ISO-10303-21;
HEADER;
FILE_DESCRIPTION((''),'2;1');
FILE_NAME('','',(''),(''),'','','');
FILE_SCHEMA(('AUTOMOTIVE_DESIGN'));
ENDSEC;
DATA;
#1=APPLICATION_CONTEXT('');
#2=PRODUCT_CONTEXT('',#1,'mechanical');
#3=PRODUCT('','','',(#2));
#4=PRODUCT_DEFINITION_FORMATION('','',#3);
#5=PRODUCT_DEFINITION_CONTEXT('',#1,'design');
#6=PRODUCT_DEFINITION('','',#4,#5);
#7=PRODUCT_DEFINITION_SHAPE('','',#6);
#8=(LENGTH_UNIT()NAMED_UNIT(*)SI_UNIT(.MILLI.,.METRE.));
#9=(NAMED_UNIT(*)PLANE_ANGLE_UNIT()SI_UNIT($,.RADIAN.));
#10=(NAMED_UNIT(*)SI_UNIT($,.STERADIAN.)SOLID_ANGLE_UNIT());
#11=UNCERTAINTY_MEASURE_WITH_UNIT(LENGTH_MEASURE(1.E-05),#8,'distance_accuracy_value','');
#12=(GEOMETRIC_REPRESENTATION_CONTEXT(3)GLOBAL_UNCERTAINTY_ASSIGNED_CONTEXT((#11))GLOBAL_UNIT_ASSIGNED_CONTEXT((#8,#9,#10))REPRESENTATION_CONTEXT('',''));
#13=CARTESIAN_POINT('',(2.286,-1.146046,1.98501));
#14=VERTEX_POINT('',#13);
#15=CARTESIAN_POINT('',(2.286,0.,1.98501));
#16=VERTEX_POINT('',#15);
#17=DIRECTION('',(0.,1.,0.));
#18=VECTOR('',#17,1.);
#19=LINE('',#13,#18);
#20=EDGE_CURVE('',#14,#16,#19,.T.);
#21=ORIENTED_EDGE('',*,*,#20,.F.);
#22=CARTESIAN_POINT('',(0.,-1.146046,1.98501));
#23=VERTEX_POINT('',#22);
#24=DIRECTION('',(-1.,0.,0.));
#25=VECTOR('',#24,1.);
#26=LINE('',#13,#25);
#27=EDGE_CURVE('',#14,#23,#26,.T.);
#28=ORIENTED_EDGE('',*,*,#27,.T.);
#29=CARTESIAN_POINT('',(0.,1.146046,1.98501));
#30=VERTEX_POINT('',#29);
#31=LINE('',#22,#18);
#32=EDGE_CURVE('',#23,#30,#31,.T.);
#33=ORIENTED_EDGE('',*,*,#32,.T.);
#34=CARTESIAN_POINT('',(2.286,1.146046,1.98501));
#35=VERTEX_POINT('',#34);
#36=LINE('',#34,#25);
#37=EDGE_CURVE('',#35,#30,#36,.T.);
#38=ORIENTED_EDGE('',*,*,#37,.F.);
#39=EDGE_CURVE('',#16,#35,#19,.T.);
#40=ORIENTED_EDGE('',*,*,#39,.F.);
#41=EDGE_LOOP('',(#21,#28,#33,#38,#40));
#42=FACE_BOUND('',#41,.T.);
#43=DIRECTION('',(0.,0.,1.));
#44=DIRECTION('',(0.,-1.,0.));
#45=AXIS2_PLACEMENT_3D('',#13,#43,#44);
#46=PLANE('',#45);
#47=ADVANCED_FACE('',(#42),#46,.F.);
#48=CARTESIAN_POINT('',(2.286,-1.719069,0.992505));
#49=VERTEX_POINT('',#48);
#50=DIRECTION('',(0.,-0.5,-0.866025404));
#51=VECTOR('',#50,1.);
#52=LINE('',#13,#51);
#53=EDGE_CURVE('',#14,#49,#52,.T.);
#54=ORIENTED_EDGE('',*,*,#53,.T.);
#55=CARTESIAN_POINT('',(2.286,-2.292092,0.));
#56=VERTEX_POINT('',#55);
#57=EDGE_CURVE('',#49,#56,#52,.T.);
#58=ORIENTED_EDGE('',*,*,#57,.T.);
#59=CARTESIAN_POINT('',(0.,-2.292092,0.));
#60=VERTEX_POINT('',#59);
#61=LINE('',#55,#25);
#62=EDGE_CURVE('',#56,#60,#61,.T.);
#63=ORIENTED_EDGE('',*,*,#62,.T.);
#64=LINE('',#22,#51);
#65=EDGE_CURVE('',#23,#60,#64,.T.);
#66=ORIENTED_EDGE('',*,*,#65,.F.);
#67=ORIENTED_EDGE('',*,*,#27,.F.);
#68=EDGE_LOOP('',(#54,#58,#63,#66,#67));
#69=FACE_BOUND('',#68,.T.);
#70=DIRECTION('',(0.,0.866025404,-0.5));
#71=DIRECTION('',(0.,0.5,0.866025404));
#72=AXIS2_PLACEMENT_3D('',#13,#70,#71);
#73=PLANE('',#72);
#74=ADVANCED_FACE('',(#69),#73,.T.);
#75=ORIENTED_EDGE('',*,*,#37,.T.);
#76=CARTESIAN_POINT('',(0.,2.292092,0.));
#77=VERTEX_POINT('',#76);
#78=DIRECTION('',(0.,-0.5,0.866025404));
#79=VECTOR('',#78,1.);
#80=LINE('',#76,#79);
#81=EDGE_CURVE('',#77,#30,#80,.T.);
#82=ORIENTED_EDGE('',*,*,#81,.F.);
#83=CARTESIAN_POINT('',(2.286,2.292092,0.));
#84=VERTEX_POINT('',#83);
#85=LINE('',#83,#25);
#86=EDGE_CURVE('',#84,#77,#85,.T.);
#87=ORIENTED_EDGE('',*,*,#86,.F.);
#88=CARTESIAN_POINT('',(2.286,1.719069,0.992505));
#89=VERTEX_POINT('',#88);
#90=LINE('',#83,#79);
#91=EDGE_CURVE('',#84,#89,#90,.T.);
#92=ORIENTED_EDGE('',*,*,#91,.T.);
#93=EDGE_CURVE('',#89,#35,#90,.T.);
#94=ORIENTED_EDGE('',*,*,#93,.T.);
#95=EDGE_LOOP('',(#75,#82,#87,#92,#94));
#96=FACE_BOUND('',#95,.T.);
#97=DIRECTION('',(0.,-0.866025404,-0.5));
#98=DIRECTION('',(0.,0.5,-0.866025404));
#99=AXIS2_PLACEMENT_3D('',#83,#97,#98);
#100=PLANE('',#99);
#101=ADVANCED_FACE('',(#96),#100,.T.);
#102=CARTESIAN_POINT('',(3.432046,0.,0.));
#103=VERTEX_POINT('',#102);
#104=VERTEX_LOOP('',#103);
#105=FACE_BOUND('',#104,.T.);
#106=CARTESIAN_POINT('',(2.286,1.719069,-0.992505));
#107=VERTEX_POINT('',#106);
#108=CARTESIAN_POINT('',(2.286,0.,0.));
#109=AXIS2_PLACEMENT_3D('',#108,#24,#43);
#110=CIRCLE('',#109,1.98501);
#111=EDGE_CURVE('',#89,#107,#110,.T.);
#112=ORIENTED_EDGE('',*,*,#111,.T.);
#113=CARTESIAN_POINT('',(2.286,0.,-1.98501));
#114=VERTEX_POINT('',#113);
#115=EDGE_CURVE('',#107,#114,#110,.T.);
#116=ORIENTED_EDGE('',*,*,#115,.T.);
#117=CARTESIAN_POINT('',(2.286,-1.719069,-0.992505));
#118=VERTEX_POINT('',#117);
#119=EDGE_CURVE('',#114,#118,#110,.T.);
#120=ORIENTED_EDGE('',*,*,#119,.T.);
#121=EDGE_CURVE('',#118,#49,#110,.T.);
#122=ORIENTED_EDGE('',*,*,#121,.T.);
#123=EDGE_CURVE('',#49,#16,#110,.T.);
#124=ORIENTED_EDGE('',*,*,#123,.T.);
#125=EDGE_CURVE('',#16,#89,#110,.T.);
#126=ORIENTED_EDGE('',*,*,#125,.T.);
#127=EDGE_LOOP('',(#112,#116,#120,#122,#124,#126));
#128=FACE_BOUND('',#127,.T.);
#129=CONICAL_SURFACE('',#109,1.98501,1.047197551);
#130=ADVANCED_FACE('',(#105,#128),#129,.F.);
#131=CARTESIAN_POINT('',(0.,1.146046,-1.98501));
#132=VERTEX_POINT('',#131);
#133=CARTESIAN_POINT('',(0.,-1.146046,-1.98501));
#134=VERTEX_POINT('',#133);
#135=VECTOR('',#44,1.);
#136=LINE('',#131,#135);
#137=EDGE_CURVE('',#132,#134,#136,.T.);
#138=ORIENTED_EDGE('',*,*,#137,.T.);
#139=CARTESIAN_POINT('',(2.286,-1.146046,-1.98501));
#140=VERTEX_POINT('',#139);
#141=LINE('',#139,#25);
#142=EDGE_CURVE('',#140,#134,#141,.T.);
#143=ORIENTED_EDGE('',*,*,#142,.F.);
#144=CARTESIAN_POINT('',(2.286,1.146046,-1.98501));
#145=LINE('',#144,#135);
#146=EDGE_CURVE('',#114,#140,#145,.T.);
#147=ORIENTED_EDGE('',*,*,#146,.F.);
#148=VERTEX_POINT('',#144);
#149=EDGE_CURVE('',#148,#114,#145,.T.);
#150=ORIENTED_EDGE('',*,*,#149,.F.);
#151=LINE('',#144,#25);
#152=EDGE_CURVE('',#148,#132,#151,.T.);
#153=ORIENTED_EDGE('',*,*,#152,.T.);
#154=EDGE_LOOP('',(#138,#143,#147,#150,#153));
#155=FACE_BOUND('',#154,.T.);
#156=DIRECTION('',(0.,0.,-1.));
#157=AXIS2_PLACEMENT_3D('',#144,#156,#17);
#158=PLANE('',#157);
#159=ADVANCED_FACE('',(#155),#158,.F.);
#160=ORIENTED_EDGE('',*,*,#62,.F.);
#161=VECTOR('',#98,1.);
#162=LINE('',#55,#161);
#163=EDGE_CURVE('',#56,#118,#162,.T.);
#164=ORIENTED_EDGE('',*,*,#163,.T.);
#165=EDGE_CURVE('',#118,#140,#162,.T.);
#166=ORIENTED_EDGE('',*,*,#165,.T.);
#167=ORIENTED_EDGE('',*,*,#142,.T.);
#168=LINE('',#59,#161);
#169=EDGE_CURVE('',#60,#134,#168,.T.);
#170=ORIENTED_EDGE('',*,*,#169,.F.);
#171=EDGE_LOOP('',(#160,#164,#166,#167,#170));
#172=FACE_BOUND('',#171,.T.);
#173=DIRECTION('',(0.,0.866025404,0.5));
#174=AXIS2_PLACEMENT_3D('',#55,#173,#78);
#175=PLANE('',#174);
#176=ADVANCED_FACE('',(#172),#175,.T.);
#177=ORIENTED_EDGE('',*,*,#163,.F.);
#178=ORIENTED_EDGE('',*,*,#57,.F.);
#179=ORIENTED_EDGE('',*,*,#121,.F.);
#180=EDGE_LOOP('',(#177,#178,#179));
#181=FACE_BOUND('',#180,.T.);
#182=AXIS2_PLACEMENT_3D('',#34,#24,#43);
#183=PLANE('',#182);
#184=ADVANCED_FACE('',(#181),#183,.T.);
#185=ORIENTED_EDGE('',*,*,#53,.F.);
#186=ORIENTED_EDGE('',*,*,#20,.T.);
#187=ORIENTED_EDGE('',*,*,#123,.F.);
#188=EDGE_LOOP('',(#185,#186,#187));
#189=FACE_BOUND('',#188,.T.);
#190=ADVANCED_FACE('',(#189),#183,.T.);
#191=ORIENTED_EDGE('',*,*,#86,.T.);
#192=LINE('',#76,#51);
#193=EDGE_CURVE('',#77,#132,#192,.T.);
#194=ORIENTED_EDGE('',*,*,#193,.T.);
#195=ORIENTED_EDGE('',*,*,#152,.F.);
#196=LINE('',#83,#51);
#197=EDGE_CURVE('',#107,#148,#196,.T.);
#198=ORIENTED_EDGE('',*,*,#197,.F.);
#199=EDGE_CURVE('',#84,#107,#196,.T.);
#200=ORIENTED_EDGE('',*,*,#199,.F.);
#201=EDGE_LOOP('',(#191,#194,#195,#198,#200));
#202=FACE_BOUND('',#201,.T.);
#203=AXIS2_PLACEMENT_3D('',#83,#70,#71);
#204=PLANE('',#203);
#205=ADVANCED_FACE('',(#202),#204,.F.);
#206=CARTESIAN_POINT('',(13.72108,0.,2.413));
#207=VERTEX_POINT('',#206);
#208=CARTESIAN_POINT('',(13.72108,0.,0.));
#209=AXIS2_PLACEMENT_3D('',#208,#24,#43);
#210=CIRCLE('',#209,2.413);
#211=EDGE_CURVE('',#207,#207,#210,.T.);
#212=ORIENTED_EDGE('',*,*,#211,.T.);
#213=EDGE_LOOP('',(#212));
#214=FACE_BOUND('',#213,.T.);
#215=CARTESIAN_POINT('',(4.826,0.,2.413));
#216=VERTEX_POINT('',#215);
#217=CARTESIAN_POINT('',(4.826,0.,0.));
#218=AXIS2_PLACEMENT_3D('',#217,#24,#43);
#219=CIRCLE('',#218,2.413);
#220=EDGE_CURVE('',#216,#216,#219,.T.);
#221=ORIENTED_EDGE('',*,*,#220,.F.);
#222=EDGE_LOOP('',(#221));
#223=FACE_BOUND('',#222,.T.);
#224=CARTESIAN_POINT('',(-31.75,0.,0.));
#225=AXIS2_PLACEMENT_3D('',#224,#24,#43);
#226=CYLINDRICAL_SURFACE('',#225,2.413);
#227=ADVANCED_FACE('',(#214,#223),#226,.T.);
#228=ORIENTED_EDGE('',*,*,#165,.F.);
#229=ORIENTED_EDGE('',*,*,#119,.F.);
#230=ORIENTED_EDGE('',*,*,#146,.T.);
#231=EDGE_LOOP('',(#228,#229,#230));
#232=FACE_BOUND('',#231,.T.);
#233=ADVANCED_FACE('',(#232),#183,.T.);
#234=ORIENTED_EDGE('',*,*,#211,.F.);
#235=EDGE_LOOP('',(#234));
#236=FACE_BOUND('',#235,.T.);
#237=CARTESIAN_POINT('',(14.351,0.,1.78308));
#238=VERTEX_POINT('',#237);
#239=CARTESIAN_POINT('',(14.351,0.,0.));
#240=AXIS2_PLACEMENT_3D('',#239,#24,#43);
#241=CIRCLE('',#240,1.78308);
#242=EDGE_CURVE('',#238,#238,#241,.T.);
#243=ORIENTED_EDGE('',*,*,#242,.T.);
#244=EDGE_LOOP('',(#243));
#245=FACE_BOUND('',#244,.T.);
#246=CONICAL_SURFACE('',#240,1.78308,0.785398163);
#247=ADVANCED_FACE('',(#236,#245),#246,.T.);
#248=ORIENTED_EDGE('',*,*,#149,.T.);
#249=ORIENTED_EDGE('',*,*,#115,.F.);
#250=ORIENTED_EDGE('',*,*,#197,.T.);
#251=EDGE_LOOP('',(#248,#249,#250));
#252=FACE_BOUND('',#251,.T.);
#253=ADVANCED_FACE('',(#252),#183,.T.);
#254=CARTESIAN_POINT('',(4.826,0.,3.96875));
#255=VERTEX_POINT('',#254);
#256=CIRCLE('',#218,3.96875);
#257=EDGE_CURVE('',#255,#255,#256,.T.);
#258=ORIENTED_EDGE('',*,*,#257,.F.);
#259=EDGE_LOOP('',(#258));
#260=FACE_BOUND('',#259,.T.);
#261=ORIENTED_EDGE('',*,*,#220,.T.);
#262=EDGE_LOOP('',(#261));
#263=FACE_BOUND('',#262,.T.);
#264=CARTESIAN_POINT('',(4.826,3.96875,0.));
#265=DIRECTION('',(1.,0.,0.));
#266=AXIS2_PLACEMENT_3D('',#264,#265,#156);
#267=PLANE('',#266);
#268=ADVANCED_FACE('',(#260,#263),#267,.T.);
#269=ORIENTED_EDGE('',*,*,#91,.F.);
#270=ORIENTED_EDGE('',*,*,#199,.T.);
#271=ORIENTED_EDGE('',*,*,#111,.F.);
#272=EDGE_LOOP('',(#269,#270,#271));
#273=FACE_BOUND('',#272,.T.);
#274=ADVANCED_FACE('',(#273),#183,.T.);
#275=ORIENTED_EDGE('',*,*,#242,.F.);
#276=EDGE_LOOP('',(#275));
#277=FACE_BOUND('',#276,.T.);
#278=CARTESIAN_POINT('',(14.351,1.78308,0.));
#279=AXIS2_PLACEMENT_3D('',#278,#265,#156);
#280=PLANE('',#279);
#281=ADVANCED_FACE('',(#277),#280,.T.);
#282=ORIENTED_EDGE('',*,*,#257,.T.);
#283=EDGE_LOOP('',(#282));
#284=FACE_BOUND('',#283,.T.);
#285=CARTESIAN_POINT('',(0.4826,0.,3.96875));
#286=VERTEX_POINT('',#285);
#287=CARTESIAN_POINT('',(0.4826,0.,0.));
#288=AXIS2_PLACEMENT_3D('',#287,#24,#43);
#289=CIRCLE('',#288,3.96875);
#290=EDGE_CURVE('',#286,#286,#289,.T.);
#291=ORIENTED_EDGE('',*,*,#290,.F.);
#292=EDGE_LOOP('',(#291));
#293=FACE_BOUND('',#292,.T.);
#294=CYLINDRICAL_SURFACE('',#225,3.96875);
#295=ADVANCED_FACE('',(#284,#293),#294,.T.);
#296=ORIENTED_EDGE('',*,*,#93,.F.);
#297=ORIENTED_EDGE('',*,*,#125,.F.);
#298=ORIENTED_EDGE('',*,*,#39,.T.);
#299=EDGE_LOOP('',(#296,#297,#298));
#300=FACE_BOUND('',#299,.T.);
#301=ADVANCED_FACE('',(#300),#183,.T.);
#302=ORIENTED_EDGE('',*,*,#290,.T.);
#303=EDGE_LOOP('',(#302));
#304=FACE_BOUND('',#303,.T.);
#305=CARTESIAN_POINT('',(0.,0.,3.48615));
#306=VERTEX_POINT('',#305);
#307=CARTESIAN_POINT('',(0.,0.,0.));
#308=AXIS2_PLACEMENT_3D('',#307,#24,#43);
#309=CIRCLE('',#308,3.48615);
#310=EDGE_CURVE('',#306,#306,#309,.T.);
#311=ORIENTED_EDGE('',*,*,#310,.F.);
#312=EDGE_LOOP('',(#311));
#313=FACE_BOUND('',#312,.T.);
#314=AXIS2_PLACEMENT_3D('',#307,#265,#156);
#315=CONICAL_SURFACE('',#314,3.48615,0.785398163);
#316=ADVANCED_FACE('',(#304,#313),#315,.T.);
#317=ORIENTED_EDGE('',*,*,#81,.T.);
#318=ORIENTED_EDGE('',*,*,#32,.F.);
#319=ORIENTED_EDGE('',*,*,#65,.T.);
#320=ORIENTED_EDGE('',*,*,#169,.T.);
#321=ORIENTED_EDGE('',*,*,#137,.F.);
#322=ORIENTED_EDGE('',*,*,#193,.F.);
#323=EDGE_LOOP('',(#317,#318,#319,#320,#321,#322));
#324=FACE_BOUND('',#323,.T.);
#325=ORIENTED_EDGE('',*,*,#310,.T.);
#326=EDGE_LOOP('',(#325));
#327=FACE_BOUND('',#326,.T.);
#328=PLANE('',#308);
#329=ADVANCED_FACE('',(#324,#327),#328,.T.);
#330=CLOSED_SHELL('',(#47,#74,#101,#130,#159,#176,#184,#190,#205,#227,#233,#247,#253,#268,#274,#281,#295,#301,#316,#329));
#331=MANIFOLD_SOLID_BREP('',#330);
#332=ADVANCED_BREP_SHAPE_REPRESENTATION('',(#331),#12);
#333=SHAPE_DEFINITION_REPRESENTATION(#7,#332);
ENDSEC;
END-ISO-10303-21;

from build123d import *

# Parameters (mm, degrees)
HEX_2_DEPTH = 2.286


with BuildPart() as part:
    # BodySke → Base-Revolve (revolve)
    with BuildSketch(Plane.XY, mode=Mode.PRIVATE) as base_revolve_sk:
        Polygon((0, 0), (0, 3.48615), (0.4826, 3.96875), (4.826, 3.96875), (4.826, 2.413), (13.72108, 2.413), (14.351, 1.78308), (14.351, 0), align=None)
    revolve(base_revolve_sk.sketch.rotate(Axis((-31.75, 0, 0), (1, 0, 0)), 90), axis=Axis((-31.75, 0, 0), (1, 0, 0)))  # turned: the seam where the file's is

    # Sketch2 → Hex-PreBroach (revolve, cut)
    with BuildSketch(Plane.XY, mode=Mode.PRIVATE) as hex_prebroach_sk:
        Polygon((0, 1.98501), (2.286, 1.98501), (3.432046058, 0), (0, 0), align=None)
    revolve(hex_prebroach_sk.sketch.rotate(Axis((0, 0, 0), (1, 0, 0)), 90), axis=Axis((0, 0, 0), (1, 0, 0)), mode=Mode.SUBTRACT)  # turned: the seam where the file's is

    # Sketch3 → Hex 2 (cut)
    with BuildSketch(Plane(origin=(0, 0, 0), x_dir=(0, 0.5, 0.866025404), z_dir=(-1, 0, 0))):
        Polygon((1.146046058, 1.98501), (-1.146046058, 1.98501), (-2.292092116, 0), (-1.146046058, -1.98501), (1.146046058, -1.98501), (2.292092116, 0), align=None)
    extrude(amount=-HEX_2_DEPTH, mode=Mode.SUBTRACT)


solid = part.part
